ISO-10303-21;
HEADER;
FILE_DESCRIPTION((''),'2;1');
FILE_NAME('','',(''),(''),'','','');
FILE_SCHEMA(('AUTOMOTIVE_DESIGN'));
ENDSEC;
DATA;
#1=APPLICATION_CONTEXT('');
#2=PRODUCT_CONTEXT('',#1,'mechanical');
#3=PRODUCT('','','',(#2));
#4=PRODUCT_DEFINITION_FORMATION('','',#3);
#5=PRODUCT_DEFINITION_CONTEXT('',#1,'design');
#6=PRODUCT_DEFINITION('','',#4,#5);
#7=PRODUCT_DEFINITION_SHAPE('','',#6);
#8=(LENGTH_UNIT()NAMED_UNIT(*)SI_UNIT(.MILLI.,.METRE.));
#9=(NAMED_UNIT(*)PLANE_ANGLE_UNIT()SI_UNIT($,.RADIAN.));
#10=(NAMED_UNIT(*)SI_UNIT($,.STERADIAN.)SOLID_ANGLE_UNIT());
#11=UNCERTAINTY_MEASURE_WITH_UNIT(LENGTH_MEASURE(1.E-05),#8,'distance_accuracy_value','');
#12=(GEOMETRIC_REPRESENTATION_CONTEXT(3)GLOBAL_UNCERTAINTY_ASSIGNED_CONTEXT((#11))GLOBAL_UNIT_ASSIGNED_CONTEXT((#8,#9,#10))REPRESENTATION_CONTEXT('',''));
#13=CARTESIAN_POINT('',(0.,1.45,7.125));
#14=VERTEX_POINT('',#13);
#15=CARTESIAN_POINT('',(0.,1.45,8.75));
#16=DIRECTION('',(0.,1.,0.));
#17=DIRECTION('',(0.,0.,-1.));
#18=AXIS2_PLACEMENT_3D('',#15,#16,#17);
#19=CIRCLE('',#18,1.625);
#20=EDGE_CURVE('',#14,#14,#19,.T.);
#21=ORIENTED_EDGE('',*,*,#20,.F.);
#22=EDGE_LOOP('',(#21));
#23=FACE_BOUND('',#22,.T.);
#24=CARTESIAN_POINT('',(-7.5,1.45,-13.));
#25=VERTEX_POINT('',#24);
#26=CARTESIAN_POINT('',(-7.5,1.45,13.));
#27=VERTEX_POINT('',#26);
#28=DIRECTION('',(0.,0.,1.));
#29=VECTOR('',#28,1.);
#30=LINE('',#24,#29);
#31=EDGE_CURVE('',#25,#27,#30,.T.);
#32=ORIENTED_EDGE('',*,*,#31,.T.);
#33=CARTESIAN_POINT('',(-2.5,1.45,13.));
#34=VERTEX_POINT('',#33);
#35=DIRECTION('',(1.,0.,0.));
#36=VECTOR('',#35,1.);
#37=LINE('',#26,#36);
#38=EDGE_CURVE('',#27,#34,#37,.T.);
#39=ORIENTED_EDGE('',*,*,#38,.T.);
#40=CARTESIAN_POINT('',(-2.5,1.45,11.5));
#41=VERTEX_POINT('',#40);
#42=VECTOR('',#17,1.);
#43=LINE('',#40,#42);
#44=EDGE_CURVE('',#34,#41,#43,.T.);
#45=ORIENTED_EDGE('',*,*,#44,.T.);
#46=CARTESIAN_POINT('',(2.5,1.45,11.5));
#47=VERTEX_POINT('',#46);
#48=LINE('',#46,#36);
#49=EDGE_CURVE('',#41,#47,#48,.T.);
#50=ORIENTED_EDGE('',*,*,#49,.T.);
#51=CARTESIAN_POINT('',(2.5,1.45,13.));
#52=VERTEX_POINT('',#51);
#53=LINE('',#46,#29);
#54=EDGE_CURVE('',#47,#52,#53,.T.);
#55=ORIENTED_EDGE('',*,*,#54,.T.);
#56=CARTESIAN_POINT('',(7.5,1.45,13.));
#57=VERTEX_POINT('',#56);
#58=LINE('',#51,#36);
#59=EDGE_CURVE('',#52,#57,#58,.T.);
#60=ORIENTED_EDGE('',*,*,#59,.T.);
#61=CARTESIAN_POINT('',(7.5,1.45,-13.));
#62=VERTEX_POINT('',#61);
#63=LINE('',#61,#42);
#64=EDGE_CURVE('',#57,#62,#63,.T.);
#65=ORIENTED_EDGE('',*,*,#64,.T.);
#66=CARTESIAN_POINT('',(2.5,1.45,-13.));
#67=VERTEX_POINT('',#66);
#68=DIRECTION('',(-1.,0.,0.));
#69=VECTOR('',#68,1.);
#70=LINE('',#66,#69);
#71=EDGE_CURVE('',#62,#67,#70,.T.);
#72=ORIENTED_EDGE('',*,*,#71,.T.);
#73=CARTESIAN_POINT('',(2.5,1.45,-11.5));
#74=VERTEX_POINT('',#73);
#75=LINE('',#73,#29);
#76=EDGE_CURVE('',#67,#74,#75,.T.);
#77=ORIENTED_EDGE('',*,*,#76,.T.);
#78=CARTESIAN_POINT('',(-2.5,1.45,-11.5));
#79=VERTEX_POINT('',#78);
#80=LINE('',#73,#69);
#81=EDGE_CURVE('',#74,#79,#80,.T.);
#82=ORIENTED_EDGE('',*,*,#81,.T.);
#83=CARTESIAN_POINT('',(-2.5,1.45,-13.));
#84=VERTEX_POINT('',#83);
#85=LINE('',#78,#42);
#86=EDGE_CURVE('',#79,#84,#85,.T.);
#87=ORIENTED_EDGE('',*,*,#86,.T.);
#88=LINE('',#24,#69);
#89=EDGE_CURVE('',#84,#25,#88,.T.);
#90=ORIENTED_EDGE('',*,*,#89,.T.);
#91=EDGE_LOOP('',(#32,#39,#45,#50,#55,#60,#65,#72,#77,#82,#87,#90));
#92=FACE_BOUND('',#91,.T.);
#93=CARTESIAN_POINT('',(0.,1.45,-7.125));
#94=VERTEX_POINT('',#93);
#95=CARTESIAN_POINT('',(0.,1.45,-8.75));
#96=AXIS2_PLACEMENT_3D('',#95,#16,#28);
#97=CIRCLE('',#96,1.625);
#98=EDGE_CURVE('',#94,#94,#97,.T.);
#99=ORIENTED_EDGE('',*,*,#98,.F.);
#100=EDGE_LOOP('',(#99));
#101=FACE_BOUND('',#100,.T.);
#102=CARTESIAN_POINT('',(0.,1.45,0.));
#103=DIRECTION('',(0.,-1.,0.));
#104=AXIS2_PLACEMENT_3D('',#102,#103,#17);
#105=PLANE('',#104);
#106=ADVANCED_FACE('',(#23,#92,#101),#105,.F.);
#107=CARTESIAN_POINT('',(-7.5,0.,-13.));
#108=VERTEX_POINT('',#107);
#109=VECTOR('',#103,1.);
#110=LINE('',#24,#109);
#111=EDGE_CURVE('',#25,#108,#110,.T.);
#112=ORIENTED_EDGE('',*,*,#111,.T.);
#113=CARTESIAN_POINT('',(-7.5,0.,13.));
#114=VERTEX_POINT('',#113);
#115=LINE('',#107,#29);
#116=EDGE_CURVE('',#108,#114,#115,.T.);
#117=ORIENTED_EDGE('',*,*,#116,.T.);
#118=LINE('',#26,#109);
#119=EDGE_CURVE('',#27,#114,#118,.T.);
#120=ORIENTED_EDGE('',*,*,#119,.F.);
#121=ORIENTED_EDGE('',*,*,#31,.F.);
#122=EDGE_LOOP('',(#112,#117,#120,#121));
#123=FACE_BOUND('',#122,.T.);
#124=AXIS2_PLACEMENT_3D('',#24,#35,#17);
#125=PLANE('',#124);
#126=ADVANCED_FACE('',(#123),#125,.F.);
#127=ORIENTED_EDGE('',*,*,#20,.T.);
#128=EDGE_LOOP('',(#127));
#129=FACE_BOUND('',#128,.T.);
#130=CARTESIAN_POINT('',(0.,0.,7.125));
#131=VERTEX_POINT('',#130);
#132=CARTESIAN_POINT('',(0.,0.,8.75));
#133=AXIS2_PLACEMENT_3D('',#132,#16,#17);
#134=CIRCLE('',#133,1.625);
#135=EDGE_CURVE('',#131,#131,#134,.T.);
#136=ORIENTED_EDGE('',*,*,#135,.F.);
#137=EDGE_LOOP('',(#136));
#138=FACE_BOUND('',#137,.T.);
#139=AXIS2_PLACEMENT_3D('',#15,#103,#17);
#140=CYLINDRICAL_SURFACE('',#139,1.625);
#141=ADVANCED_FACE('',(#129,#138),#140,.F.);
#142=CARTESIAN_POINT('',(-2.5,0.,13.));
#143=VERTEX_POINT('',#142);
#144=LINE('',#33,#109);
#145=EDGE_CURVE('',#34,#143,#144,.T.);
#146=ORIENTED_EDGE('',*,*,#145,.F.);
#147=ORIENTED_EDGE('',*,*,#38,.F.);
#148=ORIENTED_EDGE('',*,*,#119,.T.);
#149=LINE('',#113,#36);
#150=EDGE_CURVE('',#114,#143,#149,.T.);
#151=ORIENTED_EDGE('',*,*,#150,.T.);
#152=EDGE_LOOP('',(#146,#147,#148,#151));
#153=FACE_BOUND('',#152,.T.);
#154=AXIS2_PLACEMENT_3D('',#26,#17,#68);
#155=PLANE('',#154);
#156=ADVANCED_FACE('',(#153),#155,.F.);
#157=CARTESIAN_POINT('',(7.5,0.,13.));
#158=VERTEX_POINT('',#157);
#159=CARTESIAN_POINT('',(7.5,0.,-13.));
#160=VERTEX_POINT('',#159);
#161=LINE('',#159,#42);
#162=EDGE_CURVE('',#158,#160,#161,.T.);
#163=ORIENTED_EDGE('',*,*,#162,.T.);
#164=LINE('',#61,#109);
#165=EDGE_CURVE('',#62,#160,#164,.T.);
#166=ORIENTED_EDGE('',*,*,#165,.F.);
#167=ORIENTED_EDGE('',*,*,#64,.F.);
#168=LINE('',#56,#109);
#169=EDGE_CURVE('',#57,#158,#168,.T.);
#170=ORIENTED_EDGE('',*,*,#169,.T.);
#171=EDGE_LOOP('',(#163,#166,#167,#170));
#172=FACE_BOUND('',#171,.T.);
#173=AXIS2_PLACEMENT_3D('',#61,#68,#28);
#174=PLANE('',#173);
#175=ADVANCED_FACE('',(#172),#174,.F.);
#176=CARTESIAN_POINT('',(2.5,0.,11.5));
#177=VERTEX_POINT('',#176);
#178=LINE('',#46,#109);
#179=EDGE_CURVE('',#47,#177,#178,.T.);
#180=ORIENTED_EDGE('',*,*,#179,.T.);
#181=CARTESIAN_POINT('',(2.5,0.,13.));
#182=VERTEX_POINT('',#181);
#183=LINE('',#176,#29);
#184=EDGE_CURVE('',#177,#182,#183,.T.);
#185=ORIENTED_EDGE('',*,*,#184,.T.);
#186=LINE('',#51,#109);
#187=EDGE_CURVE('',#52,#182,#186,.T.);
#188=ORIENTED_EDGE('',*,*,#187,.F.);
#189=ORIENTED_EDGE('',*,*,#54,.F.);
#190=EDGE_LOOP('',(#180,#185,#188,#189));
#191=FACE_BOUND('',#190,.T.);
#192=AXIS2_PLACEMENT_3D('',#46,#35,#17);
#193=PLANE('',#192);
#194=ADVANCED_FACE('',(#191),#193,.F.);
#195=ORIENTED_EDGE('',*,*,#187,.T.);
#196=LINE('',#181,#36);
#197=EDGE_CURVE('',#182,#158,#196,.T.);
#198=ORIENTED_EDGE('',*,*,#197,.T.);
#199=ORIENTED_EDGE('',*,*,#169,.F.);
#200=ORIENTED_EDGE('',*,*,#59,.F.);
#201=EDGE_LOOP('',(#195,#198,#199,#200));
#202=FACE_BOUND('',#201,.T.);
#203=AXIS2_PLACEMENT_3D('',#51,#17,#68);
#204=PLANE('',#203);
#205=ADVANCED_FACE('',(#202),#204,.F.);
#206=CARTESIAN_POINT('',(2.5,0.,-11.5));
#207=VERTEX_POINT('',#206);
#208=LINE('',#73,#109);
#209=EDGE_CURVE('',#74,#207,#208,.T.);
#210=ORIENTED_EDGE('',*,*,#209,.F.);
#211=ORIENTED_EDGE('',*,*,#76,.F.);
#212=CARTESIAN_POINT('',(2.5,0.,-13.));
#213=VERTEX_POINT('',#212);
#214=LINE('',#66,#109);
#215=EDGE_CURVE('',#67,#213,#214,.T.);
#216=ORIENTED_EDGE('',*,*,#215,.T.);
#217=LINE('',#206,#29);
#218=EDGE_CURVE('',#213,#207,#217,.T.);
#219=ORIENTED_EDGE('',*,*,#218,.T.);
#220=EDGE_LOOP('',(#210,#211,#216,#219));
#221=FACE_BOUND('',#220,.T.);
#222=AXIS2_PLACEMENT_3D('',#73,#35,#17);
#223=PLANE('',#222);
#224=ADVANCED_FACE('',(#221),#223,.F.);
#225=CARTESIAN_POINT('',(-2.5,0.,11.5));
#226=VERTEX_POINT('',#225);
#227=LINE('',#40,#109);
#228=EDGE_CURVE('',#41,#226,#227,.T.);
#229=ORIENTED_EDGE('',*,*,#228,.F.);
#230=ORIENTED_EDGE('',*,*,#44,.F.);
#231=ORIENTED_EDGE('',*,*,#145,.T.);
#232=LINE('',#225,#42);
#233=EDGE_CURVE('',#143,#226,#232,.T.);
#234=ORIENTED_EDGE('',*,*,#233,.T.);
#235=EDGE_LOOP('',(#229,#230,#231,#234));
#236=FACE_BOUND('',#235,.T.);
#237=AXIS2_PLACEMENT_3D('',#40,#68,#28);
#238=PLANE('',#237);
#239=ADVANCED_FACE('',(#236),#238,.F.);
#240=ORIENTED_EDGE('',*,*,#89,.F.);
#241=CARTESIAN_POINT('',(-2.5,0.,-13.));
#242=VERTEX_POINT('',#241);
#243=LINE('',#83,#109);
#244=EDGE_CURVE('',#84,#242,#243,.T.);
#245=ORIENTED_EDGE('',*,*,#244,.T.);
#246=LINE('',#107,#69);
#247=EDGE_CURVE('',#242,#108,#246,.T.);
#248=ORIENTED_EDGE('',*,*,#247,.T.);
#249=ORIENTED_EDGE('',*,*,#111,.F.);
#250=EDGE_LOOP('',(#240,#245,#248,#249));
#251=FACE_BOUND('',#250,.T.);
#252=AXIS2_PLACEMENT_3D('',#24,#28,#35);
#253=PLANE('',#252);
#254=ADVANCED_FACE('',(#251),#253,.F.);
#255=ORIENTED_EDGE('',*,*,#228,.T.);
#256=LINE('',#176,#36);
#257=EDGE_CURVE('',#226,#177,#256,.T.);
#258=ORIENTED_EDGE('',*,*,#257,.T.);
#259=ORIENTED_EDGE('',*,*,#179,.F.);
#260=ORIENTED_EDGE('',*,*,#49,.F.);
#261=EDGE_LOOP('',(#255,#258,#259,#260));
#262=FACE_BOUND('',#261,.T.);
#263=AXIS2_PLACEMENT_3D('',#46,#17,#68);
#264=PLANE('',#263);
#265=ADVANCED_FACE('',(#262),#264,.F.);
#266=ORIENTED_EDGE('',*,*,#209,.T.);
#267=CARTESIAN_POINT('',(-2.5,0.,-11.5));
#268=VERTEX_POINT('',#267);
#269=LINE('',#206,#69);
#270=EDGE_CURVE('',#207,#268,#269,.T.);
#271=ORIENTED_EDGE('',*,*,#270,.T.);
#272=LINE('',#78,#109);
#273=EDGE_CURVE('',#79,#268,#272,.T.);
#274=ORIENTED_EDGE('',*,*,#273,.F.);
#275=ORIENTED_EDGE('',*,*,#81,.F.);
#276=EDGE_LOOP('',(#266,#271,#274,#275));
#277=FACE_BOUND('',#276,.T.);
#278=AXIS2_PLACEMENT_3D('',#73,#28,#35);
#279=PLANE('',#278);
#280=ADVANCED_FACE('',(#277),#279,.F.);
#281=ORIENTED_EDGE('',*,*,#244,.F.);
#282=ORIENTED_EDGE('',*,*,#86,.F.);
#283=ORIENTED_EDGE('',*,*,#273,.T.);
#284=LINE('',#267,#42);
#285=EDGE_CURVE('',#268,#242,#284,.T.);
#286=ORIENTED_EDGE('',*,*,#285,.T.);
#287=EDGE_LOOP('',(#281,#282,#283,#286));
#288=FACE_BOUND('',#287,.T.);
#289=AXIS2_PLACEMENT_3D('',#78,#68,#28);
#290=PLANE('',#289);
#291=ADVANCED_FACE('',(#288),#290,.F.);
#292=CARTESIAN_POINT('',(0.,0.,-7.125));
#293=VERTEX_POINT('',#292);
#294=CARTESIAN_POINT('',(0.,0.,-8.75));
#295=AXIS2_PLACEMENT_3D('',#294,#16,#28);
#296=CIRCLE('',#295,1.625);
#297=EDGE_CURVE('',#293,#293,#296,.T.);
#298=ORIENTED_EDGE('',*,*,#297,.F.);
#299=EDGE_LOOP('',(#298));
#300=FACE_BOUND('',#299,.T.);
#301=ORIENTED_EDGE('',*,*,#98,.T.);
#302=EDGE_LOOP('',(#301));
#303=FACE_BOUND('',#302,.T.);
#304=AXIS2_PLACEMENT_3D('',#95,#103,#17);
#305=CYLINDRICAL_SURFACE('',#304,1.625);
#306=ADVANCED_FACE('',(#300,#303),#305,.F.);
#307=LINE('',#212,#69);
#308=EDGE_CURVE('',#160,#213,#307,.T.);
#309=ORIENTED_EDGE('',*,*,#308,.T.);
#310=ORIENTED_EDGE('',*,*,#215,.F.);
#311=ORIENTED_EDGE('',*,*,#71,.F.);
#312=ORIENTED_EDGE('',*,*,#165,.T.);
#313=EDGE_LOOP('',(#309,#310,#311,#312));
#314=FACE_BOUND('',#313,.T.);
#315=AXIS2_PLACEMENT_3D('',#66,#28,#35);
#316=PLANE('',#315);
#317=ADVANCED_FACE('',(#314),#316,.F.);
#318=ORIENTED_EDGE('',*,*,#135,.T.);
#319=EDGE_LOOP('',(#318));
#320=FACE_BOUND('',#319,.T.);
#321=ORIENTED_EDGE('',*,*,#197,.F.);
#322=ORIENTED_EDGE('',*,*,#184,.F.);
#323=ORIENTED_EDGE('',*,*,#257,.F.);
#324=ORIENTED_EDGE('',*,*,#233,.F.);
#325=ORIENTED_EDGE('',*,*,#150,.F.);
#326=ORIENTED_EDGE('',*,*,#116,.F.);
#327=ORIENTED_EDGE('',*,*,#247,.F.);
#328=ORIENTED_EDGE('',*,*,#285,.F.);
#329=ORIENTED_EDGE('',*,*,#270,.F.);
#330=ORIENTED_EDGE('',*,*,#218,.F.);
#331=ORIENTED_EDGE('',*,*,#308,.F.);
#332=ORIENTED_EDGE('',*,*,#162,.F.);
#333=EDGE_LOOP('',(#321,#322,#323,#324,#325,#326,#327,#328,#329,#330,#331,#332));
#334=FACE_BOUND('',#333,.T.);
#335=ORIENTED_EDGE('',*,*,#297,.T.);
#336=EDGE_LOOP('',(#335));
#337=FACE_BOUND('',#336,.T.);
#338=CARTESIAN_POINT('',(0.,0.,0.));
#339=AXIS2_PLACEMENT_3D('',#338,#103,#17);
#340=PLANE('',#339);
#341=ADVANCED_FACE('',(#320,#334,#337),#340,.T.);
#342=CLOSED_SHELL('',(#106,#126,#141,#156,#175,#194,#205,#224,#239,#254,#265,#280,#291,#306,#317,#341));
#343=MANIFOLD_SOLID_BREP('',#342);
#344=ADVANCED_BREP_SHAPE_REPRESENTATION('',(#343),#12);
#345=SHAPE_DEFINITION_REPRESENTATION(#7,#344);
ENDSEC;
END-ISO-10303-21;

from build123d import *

# Parameters (mm, degrees)
SKETCH1_R           = 1.625
BOSS_EXTRUDE1_DEPTH = 1.45


with BuildPart() as part:
    # Sketch1 → Boss-Extrude1 (new body)
    with BuildSketch(Plane(origin=(0, 0, 0), x_dir=(1, 0, 0), z_dir=(0, 1, 0))):
        Polygon((-7.5, 13), (-2.5, 13), (-2.5, 11.5), (2.5, 11.5), (2.5, 13), (7.5, 13), (7.5, -13), (2.5, -13), (2.5, -11.5), (-2.5, -11.5), (-2.5, -13), (-7.5, -13), align=None)
        with Locations(Location((0, 8.75, 0), (0, 0, 270))):
            Circle(SKETCH1_R, mode=Mode.SUBTRACT)
        with Locations(Location((0, -8.75, 0), (0, 0, 90))):
            Circle(SKETCH1_R, mode=Mode.SUBTRACT)
    extrude(amount=BOSS_EXTRUDE1_DEPTH)


solid = part.part
